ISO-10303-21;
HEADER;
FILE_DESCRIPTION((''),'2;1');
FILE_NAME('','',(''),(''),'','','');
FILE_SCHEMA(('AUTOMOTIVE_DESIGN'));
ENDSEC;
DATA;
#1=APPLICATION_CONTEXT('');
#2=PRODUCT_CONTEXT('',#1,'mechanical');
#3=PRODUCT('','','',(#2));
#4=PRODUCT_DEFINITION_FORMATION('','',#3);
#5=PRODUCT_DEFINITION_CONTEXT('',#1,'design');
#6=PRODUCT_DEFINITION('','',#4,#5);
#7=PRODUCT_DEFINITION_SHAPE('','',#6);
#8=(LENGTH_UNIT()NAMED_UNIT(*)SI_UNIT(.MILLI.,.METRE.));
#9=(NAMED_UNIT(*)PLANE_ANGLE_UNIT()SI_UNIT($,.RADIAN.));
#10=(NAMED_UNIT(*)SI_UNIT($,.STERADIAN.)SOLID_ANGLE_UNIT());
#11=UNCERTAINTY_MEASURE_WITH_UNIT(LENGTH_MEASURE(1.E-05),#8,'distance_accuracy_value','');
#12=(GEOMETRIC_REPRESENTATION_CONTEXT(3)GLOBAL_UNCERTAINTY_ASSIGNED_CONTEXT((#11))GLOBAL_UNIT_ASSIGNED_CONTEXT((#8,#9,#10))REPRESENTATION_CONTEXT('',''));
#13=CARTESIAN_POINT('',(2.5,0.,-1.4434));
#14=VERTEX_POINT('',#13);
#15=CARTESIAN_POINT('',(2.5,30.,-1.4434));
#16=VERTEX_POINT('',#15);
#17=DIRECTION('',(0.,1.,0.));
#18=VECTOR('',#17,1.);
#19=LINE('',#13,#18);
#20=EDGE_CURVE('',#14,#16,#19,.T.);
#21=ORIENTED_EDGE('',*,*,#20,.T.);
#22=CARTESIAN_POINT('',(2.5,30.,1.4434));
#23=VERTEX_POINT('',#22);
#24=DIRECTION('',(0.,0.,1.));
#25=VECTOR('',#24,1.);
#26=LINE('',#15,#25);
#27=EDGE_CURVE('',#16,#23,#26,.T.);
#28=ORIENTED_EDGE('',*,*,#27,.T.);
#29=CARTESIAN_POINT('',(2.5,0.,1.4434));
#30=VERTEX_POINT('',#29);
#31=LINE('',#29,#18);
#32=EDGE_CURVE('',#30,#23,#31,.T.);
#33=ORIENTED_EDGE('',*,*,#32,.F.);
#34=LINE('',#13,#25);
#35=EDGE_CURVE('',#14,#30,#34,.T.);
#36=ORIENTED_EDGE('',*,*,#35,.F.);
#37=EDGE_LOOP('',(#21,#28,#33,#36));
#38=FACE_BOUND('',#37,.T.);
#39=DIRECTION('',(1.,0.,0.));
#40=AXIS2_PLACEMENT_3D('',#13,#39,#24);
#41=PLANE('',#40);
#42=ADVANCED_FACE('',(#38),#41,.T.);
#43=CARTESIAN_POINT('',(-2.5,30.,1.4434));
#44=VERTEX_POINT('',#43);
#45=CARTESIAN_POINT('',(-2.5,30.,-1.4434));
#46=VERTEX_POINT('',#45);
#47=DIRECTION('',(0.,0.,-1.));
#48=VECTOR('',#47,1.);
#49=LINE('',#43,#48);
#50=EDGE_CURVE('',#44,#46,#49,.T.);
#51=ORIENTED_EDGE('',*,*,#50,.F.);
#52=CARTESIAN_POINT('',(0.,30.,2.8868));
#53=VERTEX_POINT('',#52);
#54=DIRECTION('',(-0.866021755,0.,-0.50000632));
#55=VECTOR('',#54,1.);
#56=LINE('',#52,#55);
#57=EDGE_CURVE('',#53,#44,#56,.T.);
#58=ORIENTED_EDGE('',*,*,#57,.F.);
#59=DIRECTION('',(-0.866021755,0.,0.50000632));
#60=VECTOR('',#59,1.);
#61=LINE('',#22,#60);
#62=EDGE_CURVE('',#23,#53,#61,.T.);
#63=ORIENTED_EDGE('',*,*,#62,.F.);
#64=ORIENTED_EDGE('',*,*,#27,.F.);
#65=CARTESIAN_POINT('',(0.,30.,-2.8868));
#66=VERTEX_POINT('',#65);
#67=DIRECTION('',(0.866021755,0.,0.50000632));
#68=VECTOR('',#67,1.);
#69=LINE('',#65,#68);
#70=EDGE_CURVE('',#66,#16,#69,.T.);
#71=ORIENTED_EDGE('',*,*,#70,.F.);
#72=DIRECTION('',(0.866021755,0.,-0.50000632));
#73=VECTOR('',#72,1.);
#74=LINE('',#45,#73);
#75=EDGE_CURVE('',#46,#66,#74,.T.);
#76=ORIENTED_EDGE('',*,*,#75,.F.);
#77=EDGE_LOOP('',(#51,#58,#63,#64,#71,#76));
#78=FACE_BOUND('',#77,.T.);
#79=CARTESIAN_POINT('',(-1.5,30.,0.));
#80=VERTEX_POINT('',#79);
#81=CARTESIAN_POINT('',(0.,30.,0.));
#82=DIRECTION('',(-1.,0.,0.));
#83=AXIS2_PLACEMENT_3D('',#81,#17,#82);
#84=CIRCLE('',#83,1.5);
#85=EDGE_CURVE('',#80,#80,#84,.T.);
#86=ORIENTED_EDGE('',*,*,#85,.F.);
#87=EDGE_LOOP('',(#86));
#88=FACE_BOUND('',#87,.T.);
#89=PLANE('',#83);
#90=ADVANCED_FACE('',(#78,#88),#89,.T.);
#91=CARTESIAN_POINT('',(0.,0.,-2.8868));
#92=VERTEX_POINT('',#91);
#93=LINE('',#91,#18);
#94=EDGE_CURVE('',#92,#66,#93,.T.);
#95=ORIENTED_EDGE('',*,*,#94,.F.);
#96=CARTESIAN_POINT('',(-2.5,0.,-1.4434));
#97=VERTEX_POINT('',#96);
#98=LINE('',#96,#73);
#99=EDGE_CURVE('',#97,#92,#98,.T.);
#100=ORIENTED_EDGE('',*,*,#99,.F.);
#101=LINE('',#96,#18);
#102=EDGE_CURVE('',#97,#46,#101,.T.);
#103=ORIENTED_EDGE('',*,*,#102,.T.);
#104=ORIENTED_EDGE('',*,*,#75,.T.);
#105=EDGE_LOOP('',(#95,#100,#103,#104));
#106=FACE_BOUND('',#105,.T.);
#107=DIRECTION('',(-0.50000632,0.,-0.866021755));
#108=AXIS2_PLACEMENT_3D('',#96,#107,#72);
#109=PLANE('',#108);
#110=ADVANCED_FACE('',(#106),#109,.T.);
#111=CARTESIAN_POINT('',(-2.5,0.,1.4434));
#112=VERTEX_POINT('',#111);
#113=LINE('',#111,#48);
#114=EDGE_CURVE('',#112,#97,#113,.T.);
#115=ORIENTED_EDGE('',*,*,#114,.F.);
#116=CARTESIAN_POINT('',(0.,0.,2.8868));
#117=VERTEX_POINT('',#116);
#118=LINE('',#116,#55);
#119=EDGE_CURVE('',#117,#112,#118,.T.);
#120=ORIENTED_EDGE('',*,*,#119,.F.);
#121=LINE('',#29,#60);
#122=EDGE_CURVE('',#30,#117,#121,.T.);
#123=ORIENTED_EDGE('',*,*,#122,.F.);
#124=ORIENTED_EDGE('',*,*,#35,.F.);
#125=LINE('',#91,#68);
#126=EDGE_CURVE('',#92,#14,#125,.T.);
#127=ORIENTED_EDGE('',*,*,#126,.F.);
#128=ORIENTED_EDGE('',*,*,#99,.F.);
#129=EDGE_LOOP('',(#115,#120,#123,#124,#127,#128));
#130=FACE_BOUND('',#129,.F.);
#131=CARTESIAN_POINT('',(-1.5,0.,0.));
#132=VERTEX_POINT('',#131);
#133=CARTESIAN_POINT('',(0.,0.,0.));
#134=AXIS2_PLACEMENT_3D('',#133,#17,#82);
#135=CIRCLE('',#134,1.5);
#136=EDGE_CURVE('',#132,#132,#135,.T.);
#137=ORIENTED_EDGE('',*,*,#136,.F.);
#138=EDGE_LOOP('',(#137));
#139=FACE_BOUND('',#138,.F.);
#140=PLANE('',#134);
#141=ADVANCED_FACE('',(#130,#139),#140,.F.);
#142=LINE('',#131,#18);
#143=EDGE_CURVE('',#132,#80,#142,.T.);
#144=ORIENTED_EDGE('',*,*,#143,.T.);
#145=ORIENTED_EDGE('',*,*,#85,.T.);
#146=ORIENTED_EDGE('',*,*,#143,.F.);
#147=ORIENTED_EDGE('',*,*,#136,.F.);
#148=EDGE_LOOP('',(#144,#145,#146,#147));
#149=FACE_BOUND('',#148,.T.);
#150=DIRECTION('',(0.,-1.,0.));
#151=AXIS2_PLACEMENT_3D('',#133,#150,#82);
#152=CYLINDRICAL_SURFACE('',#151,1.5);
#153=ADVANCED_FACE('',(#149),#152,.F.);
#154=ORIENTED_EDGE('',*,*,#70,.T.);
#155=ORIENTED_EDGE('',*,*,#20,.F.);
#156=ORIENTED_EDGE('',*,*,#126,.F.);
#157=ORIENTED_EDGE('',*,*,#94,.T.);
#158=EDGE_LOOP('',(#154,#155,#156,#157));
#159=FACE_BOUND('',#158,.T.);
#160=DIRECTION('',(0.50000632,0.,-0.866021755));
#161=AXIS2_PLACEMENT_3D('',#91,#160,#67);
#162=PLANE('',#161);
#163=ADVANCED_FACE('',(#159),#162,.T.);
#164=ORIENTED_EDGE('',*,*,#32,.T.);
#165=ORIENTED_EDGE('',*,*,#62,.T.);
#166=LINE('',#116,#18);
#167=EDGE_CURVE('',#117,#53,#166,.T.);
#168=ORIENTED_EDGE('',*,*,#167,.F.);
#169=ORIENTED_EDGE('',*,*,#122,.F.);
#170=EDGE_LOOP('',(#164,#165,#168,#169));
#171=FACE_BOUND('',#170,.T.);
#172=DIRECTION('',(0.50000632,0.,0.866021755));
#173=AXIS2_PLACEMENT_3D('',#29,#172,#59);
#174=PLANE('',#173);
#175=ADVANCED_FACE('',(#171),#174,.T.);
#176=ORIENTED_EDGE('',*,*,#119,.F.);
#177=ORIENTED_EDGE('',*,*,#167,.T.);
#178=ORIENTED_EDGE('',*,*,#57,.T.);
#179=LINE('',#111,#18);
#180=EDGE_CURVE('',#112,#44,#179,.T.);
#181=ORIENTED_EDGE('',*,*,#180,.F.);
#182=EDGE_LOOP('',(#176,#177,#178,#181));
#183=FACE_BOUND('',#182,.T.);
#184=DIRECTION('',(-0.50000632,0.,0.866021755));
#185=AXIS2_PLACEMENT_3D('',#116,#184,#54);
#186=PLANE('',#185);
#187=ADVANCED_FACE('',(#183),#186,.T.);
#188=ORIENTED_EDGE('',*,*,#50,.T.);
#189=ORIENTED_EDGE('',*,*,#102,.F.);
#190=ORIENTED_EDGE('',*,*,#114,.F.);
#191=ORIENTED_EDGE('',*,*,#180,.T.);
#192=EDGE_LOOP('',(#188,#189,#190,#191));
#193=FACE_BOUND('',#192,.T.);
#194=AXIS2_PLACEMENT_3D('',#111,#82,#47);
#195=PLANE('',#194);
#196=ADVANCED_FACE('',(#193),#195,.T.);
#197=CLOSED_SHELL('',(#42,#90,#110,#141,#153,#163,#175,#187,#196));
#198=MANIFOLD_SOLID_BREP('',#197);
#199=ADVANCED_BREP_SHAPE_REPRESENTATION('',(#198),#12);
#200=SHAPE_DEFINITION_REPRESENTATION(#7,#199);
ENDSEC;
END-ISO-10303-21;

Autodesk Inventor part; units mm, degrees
ref_plane "YZ Plane" through (0, 0, 0) normal (1, 0, 0) x (0, 1, 0)
ref_plane "XZ Plane" through (0, 0, 0) normal (0, 1, 0) x (-1, 0, 0)
ref_plane "XY Plane" through (0, 0, 0) normal (0, 0, 1) x (1, 0, 0)
sketch "Sketch1" plane through (0, 0, 0) normal (0, 1, 0) x (-1, 0, 0)
  circle A0 centre (0, 0) radius 1.5
  line L0 (-2.5, -1.4434) -> (-2.5, 1.4434)
  line L1 (-2.5, 1.4434) -> (0, 2.8868)
  line L2 (0, 2.8868) -> (2.5, 1.4434)
  line L3 (2.5, 1.4434) -> (2.5, -1.4434)
  line L4 (2.5, -1.4434) -> (0, -2.8868)
  line L5 (0, -2.8868) -> (-2.5, -1.4434)
  point P0 (-2.5, 0)
  dimension "d0" = 3
  dimension "d1" = 5
extrude "Extrusion1" add sketch "Sketch1" along normal blind 30
properties part number "Varrilla_Cobre"
